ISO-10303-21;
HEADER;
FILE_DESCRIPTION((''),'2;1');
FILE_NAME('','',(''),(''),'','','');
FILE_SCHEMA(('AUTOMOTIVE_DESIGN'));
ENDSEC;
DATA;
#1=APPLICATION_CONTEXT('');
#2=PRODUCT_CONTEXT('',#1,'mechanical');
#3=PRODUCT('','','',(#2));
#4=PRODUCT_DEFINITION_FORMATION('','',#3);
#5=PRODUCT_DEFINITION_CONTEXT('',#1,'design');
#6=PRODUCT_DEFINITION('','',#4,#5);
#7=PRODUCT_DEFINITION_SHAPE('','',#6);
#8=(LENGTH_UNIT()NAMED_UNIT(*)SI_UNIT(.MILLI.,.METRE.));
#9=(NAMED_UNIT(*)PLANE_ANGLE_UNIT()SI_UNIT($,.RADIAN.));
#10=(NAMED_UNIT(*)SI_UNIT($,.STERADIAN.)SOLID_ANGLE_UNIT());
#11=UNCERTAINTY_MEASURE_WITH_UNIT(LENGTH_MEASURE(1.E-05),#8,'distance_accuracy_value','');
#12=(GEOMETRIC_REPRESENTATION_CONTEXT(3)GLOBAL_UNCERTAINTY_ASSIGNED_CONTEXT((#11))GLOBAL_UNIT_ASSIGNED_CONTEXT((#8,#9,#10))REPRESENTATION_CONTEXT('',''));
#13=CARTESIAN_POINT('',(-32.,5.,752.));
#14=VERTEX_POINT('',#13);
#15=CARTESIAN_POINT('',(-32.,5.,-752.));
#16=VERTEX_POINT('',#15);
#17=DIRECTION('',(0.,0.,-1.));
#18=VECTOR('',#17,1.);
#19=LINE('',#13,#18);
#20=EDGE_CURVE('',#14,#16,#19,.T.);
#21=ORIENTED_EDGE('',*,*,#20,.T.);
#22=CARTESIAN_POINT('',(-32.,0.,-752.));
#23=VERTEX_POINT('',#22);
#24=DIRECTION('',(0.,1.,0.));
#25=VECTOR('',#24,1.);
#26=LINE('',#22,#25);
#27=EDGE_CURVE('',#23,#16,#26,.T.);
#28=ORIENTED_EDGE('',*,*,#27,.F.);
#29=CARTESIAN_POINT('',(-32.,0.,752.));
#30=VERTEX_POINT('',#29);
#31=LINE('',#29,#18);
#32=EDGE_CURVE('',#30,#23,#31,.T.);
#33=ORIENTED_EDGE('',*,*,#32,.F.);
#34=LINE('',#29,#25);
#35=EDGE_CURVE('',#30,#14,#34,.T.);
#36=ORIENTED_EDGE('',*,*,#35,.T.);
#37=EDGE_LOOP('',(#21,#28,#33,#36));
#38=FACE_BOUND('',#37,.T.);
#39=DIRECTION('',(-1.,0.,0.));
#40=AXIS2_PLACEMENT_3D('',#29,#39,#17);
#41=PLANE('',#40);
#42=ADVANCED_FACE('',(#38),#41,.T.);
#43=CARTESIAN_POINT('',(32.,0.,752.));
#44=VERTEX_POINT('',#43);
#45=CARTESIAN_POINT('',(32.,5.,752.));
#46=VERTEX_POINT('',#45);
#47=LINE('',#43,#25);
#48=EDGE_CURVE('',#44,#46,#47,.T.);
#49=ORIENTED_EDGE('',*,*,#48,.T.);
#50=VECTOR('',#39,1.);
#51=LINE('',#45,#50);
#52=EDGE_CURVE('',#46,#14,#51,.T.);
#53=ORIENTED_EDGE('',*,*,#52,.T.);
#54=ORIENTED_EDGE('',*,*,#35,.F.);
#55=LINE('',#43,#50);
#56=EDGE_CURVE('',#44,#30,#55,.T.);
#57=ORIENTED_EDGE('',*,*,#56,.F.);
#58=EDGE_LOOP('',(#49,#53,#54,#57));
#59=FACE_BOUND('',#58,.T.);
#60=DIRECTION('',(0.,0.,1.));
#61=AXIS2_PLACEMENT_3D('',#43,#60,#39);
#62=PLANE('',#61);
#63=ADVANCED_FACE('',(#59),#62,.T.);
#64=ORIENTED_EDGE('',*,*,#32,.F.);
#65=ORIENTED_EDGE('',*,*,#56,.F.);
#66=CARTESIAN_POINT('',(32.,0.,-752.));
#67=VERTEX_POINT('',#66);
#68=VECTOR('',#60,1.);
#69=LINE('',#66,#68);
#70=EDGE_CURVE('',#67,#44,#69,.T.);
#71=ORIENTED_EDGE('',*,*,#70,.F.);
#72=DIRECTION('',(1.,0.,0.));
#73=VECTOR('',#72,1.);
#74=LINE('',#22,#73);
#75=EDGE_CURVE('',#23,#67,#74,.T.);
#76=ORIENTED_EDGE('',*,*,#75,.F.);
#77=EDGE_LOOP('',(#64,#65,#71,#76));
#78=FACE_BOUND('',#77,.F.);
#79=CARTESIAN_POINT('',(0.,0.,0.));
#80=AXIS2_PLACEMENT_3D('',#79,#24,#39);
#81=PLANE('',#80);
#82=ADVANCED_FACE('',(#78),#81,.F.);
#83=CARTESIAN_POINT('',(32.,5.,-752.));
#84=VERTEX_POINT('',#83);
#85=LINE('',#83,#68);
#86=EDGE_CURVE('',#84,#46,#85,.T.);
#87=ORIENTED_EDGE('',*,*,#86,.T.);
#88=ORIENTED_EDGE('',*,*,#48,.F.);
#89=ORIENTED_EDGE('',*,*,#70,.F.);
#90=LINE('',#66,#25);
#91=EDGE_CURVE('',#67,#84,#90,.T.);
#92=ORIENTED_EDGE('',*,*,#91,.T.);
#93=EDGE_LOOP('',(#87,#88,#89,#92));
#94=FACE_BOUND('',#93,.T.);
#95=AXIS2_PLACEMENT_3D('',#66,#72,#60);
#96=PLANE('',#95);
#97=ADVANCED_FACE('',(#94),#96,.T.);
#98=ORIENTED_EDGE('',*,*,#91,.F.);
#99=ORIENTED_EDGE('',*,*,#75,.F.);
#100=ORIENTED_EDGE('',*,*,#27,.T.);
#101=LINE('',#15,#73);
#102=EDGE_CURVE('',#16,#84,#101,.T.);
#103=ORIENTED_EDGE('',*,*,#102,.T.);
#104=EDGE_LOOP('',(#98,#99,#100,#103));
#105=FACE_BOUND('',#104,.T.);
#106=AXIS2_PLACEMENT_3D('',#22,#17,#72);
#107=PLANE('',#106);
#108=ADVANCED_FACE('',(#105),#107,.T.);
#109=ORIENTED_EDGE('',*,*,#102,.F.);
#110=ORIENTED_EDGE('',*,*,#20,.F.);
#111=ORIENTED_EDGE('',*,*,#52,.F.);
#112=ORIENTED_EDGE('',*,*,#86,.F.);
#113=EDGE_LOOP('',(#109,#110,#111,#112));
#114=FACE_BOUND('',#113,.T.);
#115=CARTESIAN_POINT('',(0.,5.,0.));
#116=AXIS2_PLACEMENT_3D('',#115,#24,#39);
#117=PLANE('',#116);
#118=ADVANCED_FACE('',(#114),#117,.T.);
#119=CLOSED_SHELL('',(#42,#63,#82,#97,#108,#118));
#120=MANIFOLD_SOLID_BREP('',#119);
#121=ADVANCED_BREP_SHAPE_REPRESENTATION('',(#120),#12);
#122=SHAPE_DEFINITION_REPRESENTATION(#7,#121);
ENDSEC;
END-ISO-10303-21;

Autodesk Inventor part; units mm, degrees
ref_plane "YZ Plane" through (0, 0, 0) normal (1, 0, 0) x (0, 1, 0)
ref_plane "XZ Plane" through (0, 0, 0) normal (0, 1, 0) x (-1, 0, 0)
ref_plane "XY Plane" through (0, 0, 0) normal (0, 0, 1) x (1, 0, 0)
sketch "Эскиз1" plane through (0, 0, 0) normal (0, 1, 0) x (-1, 0, 0)
  line L0 (-32, 752) -> (32, 752)
  line L1 (32, 752) -> (32, -752)
  line L2 (32, -752) -> (-32, -752)
  line L3 (-32, -752) -> (-32, 752)
  line L4 (-32, 752) -> (32, -752) construction
  line L5 (32, 752) -> (-32, -752) construction
  point P0 (0, 0)
  dimension "d0" = 64
  dimension "d1" = 1504
extrude "Пластина1" add sketch "Эскиз1" along normal blind 5
equation "\"d2\" = Толщина"
equation "\"Радиус_гибки\" = Толщина"
equation "\"Ширина_просечки\" = Толщина"
equation "\"Глубина_просечки\" = 0.5 * Толщина"
equation "\"Радиус_перехода\" = Радиус_гибки"
equation "\"Радиус_Якоби\" = Радиус_гибки"
equation "\"Размер_зазора\" = Толщина"
equation "\"Толщина\" = 5"
properties part number "0923_CPY_CPY"
